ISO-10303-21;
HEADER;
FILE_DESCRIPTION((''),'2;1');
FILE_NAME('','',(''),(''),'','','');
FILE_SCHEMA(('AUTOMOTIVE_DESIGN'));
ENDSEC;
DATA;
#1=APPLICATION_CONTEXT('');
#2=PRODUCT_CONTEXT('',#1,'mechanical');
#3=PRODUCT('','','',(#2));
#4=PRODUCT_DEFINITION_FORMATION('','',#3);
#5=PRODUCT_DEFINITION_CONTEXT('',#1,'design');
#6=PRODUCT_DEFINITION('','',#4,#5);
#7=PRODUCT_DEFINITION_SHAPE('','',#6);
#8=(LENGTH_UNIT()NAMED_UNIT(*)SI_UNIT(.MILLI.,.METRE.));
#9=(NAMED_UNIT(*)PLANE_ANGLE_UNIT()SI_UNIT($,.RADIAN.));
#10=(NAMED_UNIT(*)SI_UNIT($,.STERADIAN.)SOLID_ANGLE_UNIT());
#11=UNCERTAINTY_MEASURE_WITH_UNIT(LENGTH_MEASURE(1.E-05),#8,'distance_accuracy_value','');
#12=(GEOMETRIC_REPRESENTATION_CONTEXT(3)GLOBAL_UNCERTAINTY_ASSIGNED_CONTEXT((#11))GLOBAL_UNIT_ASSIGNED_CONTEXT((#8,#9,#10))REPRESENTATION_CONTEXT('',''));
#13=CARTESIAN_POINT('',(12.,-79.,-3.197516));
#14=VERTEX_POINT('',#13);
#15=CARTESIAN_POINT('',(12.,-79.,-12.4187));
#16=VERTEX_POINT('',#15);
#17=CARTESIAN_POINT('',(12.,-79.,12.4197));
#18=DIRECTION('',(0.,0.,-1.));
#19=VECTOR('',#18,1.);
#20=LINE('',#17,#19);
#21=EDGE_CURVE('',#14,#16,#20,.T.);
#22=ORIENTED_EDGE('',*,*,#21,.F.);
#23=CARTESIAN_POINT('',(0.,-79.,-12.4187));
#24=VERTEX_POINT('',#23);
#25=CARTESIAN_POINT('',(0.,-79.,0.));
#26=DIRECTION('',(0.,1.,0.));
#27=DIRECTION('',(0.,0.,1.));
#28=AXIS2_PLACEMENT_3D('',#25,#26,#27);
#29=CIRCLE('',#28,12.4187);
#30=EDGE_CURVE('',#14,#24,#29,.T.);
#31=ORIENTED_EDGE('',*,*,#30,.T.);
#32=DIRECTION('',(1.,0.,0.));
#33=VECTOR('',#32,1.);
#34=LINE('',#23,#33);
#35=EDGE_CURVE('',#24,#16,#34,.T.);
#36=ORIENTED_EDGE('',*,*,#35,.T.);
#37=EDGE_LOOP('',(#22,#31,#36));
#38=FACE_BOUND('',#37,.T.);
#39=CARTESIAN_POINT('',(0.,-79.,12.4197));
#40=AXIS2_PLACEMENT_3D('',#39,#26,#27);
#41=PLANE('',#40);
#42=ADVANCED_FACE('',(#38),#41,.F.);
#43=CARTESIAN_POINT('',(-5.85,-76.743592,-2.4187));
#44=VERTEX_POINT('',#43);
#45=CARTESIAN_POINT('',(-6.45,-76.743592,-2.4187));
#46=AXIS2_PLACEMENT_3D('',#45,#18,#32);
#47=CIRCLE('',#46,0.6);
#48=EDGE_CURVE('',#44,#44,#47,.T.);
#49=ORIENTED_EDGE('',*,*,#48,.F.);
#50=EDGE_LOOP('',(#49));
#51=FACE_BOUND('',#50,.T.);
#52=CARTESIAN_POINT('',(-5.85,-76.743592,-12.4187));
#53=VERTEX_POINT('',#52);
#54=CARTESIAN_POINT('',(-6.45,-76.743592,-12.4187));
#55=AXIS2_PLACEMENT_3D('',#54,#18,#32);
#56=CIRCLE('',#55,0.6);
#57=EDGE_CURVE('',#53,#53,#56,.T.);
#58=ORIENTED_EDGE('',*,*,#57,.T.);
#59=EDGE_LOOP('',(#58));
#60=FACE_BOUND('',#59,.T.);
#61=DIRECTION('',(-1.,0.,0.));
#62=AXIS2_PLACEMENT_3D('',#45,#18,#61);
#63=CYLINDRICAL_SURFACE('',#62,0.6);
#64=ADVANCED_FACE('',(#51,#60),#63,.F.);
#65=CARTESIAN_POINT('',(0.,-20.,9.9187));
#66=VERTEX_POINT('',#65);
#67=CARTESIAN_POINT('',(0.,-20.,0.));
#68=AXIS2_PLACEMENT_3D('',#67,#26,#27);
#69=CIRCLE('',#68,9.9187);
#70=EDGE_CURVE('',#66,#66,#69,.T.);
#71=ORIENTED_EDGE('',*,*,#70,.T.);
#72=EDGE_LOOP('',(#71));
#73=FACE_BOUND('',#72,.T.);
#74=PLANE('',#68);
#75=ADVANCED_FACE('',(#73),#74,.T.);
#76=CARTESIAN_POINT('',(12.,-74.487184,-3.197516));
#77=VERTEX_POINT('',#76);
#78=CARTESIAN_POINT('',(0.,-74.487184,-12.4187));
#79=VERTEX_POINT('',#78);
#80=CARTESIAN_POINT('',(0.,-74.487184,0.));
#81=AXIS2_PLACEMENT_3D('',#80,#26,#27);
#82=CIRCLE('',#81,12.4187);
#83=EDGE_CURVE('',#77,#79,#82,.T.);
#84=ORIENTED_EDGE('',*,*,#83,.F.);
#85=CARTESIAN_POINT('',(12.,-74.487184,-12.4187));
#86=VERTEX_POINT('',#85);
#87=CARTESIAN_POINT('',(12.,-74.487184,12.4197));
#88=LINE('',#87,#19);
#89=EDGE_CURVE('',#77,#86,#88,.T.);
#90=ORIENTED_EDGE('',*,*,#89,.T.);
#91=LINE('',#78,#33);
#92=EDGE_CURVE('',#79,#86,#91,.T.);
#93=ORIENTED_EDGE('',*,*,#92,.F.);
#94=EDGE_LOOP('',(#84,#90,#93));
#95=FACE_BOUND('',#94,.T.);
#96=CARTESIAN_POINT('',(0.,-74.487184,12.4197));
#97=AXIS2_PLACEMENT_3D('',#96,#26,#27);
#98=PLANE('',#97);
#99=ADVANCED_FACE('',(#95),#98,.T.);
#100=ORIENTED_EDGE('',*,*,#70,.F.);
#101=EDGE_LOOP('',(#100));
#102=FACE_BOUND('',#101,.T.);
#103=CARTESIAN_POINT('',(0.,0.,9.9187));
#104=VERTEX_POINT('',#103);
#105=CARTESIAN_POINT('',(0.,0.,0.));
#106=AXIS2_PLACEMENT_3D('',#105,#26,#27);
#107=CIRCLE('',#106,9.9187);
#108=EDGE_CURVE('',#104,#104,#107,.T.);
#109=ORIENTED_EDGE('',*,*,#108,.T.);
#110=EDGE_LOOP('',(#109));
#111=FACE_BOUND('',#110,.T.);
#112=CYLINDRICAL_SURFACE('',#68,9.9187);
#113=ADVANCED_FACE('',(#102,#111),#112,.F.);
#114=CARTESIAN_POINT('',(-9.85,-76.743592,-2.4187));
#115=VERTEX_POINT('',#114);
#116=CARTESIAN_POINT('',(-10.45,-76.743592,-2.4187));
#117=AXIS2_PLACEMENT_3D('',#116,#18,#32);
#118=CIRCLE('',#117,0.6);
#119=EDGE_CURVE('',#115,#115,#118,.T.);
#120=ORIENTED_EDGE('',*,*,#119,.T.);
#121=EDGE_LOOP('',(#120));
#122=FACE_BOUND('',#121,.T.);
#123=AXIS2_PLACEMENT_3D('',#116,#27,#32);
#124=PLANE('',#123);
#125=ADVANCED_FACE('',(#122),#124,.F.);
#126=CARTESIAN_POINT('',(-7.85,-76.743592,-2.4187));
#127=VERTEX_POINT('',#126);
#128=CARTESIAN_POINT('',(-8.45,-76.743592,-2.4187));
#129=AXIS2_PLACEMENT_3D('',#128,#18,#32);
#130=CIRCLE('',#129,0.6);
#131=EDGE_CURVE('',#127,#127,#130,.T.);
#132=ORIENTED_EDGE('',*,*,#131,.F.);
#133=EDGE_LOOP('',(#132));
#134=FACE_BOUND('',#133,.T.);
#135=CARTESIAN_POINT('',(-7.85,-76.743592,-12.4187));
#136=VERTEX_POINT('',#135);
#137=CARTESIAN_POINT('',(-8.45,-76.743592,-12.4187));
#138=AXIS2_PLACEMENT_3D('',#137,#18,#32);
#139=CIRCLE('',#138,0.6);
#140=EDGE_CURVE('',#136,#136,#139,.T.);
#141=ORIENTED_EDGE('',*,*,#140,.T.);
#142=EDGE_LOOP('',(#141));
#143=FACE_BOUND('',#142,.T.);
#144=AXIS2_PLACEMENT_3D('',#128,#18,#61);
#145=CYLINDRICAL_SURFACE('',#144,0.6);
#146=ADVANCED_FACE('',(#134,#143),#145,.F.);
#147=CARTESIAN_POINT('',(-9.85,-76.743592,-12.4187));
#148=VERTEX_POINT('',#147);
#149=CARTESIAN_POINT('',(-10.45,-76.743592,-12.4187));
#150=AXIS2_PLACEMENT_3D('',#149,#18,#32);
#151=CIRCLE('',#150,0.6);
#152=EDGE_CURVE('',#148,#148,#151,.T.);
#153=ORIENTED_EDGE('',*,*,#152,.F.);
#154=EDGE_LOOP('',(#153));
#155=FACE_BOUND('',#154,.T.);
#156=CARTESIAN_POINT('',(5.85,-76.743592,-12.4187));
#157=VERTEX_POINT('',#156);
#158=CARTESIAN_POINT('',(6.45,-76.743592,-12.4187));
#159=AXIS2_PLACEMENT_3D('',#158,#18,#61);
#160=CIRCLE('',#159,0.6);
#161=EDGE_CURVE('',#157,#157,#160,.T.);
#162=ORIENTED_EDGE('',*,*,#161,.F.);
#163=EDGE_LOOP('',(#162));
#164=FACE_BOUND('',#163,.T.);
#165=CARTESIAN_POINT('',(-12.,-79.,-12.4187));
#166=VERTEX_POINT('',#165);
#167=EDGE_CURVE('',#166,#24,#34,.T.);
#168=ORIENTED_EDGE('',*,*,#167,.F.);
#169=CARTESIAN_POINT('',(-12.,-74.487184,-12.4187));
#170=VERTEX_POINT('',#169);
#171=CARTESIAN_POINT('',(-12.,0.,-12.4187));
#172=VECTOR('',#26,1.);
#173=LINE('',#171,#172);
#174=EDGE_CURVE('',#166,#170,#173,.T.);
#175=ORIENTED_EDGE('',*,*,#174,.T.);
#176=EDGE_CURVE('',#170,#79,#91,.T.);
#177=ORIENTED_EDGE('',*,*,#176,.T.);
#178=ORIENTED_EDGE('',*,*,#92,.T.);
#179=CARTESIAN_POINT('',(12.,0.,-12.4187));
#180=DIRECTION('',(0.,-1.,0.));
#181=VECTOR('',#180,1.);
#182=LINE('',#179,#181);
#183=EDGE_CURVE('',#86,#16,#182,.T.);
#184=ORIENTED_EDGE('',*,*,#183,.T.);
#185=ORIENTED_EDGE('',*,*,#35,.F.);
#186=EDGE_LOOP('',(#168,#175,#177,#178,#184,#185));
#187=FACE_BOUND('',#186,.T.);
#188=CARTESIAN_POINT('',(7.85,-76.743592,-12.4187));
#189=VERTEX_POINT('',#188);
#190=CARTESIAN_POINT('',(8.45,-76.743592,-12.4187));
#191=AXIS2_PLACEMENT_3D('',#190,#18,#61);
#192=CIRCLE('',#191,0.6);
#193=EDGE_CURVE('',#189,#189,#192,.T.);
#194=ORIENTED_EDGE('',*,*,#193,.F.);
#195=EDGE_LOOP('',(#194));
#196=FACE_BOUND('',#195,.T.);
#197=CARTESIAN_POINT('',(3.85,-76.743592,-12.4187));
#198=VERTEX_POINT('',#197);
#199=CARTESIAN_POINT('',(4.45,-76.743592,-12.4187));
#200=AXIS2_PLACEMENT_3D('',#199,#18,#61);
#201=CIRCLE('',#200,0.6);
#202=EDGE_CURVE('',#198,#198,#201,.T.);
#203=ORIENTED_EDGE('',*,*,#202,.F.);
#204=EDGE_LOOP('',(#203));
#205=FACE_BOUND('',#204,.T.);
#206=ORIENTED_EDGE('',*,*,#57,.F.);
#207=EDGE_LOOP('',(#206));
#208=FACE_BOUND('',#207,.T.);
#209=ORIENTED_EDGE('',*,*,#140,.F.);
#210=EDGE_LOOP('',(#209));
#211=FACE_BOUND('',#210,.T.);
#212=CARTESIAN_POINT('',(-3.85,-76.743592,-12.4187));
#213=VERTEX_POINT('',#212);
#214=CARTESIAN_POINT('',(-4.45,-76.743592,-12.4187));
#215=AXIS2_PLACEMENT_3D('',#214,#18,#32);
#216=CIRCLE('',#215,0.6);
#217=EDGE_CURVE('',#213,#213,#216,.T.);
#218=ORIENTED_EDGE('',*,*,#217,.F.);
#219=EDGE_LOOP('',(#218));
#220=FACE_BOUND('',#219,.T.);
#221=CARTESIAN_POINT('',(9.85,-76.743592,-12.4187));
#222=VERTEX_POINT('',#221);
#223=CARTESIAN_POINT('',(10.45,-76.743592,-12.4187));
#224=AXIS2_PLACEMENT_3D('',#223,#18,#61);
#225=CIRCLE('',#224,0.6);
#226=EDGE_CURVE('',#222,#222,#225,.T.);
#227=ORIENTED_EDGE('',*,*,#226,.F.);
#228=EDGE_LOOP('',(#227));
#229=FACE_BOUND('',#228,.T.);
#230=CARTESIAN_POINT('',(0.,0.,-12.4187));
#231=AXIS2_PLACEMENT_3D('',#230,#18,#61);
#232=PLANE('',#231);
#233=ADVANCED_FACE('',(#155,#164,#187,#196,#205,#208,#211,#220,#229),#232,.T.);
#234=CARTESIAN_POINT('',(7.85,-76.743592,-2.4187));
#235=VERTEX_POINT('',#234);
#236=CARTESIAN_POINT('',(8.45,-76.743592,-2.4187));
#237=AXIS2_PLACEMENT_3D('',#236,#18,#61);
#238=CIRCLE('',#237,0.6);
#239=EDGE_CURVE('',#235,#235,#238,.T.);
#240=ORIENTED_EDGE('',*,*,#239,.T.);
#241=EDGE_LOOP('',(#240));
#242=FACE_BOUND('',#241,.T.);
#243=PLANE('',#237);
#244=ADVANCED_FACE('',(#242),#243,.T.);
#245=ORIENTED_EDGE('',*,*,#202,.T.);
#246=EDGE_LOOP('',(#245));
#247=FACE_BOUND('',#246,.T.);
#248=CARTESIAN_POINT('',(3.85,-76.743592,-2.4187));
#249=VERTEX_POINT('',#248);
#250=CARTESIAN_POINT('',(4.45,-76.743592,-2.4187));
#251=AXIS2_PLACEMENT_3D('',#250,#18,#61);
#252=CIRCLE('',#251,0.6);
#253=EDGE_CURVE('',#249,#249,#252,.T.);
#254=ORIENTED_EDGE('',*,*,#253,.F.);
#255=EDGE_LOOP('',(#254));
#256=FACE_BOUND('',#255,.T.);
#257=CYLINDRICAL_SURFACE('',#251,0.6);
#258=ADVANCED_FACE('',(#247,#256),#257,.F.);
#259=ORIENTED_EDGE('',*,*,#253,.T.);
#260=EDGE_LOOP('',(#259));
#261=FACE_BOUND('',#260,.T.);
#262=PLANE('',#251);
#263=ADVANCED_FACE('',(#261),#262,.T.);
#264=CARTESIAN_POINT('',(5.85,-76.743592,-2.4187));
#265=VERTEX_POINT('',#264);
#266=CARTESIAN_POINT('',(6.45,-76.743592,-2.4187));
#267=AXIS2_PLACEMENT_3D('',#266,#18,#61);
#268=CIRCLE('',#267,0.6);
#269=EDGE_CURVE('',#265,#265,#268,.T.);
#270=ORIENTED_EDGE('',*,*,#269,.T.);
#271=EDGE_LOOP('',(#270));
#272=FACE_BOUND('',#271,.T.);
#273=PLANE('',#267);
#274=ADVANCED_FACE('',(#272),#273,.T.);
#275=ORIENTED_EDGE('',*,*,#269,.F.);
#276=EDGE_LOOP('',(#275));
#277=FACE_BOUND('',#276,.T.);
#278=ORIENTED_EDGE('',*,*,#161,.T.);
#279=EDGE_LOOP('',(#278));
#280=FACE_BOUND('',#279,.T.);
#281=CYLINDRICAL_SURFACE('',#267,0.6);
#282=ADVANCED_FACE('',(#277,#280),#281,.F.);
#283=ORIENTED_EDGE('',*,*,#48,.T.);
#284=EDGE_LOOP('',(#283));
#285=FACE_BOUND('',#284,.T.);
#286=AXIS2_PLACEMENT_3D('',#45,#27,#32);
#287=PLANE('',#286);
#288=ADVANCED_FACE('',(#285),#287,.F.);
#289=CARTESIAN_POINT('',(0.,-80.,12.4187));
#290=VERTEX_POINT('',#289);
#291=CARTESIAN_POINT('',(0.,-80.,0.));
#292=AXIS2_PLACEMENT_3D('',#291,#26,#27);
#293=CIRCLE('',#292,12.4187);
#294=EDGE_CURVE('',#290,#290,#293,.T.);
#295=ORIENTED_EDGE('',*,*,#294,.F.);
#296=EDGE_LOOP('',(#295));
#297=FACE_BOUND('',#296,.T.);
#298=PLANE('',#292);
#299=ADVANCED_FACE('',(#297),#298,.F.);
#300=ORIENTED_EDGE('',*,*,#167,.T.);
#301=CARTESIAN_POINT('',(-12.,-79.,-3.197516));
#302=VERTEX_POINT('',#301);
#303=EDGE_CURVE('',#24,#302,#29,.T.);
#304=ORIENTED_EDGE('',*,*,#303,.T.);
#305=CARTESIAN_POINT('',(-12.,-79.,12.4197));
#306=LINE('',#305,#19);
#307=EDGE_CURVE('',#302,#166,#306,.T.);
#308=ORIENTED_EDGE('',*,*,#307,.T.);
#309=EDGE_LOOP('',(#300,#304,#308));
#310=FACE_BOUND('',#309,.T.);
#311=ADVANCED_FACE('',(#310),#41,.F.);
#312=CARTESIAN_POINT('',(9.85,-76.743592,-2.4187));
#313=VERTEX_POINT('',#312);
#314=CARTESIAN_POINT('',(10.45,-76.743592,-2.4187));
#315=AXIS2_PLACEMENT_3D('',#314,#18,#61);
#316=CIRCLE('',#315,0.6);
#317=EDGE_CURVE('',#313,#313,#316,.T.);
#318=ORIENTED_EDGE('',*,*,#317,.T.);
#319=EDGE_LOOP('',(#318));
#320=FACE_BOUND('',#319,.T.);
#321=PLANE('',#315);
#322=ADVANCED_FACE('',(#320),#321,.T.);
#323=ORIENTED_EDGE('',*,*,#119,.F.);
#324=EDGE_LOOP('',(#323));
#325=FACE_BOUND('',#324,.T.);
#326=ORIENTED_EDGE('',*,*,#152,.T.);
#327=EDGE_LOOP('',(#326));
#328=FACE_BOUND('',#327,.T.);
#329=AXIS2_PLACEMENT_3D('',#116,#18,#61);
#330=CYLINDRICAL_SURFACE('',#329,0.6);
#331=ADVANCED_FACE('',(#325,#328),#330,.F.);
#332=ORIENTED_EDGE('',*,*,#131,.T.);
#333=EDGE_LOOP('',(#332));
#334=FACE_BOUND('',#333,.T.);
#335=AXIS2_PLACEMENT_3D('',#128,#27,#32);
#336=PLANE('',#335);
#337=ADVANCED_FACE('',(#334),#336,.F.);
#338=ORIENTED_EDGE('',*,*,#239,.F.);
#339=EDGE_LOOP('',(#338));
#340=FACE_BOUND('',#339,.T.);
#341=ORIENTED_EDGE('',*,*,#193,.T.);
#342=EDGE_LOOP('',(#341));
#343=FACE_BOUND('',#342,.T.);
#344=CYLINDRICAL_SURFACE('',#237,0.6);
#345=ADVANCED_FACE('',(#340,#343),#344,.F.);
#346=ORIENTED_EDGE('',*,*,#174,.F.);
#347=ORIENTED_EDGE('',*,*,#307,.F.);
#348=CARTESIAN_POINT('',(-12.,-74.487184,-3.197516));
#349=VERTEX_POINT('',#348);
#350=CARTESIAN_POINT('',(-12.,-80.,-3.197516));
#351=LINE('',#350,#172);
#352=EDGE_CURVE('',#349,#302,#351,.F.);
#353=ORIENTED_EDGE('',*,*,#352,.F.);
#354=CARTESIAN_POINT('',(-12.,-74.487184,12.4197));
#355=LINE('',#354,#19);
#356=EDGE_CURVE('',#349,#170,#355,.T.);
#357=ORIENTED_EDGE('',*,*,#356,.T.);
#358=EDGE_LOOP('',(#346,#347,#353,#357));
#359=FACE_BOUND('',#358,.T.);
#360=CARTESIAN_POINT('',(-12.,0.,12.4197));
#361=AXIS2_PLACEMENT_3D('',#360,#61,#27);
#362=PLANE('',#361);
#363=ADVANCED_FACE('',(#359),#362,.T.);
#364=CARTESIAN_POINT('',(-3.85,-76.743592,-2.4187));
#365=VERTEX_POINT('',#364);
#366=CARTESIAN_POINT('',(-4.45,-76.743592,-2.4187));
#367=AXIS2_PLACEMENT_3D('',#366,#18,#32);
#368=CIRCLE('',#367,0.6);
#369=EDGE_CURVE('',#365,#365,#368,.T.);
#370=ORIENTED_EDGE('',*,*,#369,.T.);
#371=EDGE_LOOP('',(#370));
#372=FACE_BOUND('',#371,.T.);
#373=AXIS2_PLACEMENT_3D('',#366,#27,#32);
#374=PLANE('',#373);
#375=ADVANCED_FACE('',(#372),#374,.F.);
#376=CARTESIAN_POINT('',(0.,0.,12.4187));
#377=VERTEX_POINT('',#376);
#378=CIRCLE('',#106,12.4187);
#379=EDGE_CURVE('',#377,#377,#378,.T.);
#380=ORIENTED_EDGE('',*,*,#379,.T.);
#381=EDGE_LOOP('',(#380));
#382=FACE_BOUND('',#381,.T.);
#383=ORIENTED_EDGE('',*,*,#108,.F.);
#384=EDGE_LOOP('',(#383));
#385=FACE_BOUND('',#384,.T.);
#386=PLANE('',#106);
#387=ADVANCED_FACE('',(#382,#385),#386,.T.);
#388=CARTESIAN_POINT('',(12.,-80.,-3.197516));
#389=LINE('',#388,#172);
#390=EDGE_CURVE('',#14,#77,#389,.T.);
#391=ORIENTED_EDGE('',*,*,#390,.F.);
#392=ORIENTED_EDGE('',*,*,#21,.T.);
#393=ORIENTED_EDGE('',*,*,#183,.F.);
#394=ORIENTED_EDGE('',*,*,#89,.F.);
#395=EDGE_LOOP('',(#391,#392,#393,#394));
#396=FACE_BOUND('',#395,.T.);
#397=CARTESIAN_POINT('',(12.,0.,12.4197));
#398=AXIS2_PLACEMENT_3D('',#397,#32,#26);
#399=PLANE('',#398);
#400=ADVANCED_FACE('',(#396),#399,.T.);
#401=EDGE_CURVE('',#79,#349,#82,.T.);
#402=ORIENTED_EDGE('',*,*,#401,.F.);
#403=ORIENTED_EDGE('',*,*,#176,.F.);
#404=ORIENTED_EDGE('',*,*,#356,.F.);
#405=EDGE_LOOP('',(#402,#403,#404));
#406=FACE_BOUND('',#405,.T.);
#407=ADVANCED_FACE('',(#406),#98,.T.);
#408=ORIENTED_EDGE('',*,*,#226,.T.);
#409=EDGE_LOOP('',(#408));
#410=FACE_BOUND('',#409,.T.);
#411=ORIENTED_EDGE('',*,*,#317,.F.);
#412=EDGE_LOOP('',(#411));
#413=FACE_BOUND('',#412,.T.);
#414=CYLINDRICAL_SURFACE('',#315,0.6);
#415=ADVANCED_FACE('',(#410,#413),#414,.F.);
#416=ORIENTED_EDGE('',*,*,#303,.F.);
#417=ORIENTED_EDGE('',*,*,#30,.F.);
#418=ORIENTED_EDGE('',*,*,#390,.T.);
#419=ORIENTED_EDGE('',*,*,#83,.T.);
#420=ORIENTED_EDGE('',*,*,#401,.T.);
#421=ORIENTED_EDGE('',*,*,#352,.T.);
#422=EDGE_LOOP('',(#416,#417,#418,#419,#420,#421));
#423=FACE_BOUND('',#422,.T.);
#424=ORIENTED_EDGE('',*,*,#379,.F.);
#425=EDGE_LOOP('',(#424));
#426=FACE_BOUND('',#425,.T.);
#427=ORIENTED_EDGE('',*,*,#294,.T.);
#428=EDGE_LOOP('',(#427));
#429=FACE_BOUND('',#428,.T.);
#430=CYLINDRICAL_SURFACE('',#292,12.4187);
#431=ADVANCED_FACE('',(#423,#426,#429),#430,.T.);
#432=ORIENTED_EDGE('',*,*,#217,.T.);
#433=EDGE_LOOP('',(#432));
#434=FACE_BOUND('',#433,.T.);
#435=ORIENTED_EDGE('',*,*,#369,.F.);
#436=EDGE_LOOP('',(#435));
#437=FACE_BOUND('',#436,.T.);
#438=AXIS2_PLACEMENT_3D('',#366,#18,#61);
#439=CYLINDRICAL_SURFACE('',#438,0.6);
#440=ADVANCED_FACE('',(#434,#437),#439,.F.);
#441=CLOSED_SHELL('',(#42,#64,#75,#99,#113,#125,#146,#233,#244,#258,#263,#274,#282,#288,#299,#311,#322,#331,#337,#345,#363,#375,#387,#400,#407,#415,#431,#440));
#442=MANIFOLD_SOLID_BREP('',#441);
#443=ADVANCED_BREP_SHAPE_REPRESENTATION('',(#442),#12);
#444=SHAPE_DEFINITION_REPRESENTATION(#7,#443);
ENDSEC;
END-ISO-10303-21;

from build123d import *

# Parameters (mm, degrees)
SKETCH1_R                = 12.4187
BOSS_EXTRUDE1_DEPTH      = 80
SKETCH1_3_R              = 9.9187
CUT_EXTRUDE1_DEPTH       = 20
BOSS_EXTRUDE2_REACH      = 86.682
BOSS_EXTRUDE2_END_RADIUS = 12.4187
SKETCH2_W                = 24
SKETCH2_H                = 4.51281607
SKETCH3_R                = 0.6
CUT_EXTRUDE2_DEPTH       = 10


with BuildPart() as part:
    # Sketch1 → Boss-Extrude1 (new body)
    with BuildSketch(Plane(origin=(0, 0, 0), x_dir=(1, 0, 0), z_dir=(0, 1, 0))):
        Circle(SKETCH1_R)
    extrude(amount=-BOSS_EXTRUDE1_DEPTH)

    # Sketch1<3> → Cut-Extrude1 (cut)
    with BuildSketch(Plane(origin=(0, 0, 0), x_dir=(1, 0, 0), z_dir=(0, 1, 0))):
        Circle(SKETCH1_3_R)
    extrude(amount=-CUT_EXTRUDE1_DEPTH, mode=Mode.SUBTRACT)

    # Boss-Extrude2: up to this cylinder (the profile starts outside it)
    boss_extrude2_end = Plane(origin=(0, -76.743592, 0), z_dir=(0, 1, 0)) * Cylinder(BOSS_EXTRUDE2_END_RADIUS, 199.2014, mode=Mode.PRIVATE)
    # Sketch2 → Boss-Extrude2 (add, up to the surface)
    with BuildSketch(Plane.XY.offset(-12.4187), mode=Mode.PRIVATE) as boss_extrude2_sk1:
        with Locations((0, -76.743591965)):
            Rectangle(SKETCH2_W, SKETCH2_H)
    boss_extrude2_tool1 = extrude(boss_extrude2_sk1.sketch, amount=BOSS_EXTRUDE2_REACH, mode=Mode.PRIVATE) - boss_extrude2_end
    add(boss_extrude2_tool1.solids().sort_by_distance((0, -76.743592, -12.4187))[0])
    add(boss_extrude2_tool1.solids().sort_by_distance((0, -76.743592, -12.4187))[1])

    # Sketch3 → Cut-Extrude2 (cut)
    with BuildSketch(Plane(origin=(0, 0, -12.4187), x_dir=(-1, 0, 0), z_dir=(0, 0, -1))):
        with Locations((-4.45, -76.743591965)):
            Circle(SKETCH3_R)
        with Locations((-6.45, -76.743591965)):
            Circle(SKETCH3_R)
        with Locations((-8.45, -76.743591965)):
            Circle(SKETCH3_R)
        with Locations((-10.45, -76.743591965)):
            Circle(SKETCH3_R)
        with Locations((10.45, -76.743591965)):
            Circle(SKETCH3_R)
        with Locations((8.45, -76.743591965)):
            Circle(SKETCH3_R)
        with Locations((6.45, -76.743591965)):
            Circle(SKETCH3_R)
        with Locations((4.45, -76.743591965)):
            Circle(SKETCH3_R)
    extrude(amount=-CUT_EXTRUDE2_DEPTH, mode=Mode.SUBTRACT)


solid = part.part
